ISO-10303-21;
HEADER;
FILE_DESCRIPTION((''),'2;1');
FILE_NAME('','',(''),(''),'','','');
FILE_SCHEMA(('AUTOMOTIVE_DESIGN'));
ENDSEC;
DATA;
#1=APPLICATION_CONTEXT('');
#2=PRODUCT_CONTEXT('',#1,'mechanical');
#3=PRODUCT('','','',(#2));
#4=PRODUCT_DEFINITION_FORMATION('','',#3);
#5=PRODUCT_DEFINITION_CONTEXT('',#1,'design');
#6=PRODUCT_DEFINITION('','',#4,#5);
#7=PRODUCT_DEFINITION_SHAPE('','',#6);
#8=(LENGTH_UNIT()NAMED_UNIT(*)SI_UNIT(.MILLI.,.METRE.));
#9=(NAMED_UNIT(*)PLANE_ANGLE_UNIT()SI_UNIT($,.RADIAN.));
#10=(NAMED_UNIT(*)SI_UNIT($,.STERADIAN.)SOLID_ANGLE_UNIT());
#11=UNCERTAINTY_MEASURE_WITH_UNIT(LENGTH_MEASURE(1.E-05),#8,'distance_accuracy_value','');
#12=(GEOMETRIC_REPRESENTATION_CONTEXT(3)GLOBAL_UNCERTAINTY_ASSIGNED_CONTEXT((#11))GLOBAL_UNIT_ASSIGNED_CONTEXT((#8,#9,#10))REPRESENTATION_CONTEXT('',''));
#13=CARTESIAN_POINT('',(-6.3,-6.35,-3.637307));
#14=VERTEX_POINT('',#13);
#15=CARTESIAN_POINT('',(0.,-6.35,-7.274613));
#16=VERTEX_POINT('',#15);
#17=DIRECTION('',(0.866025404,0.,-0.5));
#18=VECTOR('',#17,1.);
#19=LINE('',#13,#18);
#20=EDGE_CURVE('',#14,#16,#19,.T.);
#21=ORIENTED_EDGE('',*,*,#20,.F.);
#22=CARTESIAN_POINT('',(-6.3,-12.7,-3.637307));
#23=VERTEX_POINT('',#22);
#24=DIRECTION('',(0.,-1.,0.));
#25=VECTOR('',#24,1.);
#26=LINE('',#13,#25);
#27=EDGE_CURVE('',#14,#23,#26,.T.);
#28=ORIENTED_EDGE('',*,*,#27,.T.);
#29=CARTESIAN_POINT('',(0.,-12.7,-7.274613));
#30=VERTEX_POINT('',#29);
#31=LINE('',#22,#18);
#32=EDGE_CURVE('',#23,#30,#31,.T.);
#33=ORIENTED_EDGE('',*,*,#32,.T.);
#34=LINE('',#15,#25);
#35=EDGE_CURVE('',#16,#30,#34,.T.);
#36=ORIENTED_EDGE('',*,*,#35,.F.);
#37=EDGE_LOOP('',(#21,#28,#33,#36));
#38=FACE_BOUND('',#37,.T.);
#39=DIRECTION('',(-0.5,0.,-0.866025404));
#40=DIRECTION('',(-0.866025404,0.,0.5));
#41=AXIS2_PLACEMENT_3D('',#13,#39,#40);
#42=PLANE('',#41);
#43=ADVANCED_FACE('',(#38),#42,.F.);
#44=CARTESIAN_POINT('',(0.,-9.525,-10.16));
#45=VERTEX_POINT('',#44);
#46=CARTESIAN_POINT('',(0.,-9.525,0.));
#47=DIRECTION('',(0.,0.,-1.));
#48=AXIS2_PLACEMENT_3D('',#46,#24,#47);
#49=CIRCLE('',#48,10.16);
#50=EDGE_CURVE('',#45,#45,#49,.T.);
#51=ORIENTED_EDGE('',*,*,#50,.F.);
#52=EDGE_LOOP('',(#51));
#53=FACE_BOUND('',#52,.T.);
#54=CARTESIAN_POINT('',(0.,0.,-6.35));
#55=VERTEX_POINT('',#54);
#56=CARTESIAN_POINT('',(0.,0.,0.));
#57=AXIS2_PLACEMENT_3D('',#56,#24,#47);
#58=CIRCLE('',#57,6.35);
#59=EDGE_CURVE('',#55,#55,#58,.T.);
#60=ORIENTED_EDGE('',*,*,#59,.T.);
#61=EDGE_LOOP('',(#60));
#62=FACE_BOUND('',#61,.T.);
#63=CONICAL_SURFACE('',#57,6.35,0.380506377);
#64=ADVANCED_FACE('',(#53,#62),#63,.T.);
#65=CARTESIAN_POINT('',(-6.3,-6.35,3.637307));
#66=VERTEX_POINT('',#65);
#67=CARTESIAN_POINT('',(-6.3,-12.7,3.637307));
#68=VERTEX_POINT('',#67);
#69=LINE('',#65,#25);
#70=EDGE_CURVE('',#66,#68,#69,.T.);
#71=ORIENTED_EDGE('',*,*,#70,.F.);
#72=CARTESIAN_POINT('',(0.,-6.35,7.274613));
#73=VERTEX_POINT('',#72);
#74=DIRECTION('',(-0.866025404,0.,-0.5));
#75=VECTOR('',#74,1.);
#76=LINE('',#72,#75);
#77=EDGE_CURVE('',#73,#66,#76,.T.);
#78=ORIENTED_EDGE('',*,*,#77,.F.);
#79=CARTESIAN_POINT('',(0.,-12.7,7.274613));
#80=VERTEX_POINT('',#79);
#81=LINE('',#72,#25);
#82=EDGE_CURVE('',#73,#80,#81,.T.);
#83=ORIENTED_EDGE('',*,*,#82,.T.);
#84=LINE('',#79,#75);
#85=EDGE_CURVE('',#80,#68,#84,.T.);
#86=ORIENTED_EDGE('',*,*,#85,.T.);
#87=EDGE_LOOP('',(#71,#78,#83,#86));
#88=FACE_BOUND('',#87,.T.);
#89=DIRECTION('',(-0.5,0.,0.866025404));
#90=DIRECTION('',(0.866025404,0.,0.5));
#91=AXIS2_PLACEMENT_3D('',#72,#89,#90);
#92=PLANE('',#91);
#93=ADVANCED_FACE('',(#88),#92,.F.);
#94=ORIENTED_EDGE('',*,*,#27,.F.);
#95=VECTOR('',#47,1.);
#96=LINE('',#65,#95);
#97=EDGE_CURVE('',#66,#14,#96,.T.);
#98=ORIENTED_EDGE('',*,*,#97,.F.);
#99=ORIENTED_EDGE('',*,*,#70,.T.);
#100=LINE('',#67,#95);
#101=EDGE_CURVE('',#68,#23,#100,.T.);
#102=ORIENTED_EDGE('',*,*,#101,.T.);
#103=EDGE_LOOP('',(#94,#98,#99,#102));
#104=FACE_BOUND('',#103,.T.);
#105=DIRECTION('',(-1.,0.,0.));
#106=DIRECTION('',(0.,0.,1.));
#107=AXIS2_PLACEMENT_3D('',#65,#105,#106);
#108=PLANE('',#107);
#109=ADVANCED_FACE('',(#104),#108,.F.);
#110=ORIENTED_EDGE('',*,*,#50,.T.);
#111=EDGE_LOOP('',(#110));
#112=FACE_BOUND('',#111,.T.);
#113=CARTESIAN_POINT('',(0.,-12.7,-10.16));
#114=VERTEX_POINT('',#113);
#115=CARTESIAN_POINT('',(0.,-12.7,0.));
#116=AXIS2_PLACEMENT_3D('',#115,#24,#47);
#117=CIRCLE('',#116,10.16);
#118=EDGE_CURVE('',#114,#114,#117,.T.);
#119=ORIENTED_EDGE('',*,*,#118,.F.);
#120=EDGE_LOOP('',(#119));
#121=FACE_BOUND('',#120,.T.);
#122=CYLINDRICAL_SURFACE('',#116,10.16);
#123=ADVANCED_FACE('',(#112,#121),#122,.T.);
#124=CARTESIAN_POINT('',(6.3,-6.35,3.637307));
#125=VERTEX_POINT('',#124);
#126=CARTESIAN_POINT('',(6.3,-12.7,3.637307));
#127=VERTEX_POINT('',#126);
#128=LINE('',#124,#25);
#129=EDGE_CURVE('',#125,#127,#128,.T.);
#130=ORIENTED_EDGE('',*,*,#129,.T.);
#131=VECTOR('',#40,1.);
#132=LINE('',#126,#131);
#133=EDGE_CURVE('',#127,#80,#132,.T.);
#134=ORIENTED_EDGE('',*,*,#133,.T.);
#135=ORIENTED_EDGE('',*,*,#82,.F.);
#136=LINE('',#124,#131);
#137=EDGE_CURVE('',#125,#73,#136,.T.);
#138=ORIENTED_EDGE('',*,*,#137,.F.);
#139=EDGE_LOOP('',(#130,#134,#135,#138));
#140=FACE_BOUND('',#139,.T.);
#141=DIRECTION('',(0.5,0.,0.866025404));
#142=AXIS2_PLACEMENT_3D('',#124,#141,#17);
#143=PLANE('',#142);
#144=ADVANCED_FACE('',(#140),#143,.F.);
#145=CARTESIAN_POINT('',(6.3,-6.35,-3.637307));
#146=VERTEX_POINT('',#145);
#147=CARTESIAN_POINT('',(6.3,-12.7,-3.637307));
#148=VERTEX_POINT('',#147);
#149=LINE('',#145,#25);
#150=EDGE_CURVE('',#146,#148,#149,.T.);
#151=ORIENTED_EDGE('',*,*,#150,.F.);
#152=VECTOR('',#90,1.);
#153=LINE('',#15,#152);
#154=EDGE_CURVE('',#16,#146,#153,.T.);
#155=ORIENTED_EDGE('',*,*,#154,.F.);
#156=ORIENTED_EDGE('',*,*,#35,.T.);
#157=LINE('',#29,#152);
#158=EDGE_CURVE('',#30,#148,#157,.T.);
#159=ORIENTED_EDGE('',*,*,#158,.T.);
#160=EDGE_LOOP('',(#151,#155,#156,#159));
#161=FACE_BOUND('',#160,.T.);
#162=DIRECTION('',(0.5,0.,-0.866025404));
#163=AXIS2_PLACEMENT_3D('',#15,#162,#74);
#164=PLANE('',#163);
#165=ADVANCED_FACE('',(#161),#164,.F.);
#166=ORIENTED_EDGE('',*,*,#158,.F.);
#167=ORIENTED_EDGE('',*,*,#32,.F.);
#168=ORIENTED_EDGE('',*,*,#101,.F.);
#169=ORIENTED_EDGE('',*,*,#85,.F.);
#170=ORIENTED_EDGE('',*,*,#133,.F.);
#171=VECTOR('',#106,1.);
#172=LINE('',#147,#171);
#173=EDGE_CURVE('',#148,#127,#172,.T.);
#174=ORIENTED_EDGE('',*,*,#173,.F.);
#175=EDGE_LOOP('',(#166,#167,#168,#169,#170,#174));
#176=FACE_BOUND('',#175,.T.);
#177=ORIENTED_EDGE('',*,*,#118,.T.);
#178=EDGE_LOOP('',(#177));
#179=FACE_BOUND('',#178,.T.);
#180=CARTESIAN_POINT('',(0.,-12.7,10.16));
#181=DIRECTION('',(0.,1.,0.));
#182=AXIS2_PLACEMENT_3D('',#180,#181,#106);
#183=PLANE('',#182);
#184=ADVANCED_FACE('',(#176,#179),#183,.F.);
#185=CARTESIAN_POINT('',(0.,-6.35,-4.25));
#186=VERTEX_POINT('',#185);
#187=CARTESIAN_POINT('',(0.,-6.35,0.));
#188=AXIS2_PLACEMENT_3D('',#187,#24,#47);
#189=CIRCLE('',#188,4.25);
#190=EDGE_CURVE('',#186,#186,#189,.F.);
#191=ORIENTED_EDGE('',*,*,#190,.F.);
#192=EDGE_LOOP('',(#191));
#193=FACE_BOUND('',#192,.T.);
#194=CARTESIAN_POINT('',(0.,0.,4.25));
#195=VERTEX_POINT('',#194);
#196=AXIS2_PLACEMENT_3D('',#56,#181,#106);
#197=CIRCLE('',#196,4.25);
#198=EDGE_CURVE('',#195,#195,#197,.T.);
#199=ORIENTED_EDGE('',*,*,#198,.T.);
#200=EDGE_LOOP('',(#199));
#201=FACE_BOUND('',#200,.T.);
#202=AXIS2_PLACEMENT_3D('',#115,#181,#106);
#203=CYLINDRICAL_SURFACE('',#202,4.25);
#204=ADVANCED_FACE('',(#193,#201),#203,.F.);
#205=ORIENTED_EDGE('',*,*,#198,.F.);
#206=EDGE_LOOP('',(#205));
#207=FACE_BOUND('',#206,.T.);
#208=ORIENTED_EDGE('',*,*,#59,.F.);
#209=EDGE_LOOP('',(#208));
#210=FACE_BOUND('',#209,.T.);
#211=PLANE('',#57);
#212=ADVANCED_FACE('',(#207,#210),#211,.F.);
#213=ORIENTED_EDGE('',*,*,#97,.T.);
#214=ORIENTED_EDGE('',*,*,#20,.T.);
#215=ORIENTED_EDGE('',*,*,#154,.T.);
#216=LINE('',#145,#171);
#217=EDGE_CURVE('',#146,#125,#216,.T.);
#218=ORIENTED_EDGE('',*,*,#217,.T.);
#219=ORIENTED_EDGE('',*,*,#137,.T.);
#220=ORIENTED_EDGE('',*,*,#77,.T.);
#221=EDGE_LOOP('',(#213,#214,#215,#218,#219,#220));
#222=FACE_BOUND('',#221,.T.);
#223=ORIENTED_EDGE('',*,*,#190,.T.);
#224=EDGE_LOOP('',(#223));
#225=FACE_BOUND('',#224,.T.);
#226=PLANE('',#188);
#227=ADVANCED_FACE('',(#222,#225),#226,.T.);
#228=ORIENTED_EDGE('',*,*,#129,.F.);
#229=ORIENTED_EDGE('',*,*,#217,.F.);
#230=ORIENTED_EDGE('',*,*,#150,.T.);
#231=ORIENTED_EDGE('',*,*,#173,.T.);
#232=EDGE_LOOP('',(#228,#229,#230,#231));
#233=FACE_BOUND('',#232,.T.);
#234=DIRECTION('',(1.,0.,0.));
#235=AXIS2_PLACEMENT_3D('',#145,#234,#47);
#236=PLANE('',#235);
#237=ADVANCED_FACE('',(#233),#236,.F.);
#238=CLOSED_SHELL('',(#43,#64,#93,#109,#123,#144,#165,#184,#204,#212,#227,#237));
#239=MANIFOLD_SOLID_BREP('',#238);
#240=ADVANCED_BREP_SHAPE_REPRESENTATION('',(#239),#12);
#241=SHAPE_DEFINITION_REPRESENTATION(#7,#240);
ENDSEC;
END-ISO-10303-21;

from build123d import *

# Parameters (mm, degrees)
SKETCH6_R          = 4.25
CUT_EXTRUDE3_DEPTH = 20.176579466
CUT_EXTRUDE4_DEPTH = 6.35


with BuildPart() as part:
    # Sketch2 → Revolve1 (revolve)
    with BuildSketch(Plane(origin=(0, 0, 0), x_dir=(0, 0, -1), z_dir=(1, 0, 0)), mode=Mode.PRIVATE) as revolve1_sk:
        Polygon((0, 0), (-6.35, 0), (-10.16, -9.525), (-10.16, -12.7), (0, -12.7), align=None)
    revolve(revolve1_sk.sketch.rotate(Axis((0, -12.7, 0), (0, 1, 0)), 180), axis=Axis((0, -12.7, 0), (0, 1, 0)))

    # Sketch6 → Cut-Extrude3 (cut, through all)
    with BuildSketch(Plane(origin=(0, 0, 0), x_dir=(1, 0, 0), z_dir=(0, 1, 0))):
        with Locations(Location((0, 0, 0), (0, 0, 270))):
            Circle(SKETCH6_R)
    extrude(amount=-CUT_EXTRUDE3_DEPTH, mode=Mode.SUBTRACT)

    # Sketch7 → Cut-Extrude4 (cut)
    with BuildSketch(Plane.XZ.offset(12.7)):
        Polygon((0, 7.274613392), (-6.3, 3.637306696), (-6.3, -3.637306696), (0, -7.274613392), (6.3, -3.637306696), (6.3, 3.637306696), align=None)
    extrude(amount=-CUT_EXTRUDE4_DEPTH, mode=Mode.SUBTRACT)


solid = part.part
